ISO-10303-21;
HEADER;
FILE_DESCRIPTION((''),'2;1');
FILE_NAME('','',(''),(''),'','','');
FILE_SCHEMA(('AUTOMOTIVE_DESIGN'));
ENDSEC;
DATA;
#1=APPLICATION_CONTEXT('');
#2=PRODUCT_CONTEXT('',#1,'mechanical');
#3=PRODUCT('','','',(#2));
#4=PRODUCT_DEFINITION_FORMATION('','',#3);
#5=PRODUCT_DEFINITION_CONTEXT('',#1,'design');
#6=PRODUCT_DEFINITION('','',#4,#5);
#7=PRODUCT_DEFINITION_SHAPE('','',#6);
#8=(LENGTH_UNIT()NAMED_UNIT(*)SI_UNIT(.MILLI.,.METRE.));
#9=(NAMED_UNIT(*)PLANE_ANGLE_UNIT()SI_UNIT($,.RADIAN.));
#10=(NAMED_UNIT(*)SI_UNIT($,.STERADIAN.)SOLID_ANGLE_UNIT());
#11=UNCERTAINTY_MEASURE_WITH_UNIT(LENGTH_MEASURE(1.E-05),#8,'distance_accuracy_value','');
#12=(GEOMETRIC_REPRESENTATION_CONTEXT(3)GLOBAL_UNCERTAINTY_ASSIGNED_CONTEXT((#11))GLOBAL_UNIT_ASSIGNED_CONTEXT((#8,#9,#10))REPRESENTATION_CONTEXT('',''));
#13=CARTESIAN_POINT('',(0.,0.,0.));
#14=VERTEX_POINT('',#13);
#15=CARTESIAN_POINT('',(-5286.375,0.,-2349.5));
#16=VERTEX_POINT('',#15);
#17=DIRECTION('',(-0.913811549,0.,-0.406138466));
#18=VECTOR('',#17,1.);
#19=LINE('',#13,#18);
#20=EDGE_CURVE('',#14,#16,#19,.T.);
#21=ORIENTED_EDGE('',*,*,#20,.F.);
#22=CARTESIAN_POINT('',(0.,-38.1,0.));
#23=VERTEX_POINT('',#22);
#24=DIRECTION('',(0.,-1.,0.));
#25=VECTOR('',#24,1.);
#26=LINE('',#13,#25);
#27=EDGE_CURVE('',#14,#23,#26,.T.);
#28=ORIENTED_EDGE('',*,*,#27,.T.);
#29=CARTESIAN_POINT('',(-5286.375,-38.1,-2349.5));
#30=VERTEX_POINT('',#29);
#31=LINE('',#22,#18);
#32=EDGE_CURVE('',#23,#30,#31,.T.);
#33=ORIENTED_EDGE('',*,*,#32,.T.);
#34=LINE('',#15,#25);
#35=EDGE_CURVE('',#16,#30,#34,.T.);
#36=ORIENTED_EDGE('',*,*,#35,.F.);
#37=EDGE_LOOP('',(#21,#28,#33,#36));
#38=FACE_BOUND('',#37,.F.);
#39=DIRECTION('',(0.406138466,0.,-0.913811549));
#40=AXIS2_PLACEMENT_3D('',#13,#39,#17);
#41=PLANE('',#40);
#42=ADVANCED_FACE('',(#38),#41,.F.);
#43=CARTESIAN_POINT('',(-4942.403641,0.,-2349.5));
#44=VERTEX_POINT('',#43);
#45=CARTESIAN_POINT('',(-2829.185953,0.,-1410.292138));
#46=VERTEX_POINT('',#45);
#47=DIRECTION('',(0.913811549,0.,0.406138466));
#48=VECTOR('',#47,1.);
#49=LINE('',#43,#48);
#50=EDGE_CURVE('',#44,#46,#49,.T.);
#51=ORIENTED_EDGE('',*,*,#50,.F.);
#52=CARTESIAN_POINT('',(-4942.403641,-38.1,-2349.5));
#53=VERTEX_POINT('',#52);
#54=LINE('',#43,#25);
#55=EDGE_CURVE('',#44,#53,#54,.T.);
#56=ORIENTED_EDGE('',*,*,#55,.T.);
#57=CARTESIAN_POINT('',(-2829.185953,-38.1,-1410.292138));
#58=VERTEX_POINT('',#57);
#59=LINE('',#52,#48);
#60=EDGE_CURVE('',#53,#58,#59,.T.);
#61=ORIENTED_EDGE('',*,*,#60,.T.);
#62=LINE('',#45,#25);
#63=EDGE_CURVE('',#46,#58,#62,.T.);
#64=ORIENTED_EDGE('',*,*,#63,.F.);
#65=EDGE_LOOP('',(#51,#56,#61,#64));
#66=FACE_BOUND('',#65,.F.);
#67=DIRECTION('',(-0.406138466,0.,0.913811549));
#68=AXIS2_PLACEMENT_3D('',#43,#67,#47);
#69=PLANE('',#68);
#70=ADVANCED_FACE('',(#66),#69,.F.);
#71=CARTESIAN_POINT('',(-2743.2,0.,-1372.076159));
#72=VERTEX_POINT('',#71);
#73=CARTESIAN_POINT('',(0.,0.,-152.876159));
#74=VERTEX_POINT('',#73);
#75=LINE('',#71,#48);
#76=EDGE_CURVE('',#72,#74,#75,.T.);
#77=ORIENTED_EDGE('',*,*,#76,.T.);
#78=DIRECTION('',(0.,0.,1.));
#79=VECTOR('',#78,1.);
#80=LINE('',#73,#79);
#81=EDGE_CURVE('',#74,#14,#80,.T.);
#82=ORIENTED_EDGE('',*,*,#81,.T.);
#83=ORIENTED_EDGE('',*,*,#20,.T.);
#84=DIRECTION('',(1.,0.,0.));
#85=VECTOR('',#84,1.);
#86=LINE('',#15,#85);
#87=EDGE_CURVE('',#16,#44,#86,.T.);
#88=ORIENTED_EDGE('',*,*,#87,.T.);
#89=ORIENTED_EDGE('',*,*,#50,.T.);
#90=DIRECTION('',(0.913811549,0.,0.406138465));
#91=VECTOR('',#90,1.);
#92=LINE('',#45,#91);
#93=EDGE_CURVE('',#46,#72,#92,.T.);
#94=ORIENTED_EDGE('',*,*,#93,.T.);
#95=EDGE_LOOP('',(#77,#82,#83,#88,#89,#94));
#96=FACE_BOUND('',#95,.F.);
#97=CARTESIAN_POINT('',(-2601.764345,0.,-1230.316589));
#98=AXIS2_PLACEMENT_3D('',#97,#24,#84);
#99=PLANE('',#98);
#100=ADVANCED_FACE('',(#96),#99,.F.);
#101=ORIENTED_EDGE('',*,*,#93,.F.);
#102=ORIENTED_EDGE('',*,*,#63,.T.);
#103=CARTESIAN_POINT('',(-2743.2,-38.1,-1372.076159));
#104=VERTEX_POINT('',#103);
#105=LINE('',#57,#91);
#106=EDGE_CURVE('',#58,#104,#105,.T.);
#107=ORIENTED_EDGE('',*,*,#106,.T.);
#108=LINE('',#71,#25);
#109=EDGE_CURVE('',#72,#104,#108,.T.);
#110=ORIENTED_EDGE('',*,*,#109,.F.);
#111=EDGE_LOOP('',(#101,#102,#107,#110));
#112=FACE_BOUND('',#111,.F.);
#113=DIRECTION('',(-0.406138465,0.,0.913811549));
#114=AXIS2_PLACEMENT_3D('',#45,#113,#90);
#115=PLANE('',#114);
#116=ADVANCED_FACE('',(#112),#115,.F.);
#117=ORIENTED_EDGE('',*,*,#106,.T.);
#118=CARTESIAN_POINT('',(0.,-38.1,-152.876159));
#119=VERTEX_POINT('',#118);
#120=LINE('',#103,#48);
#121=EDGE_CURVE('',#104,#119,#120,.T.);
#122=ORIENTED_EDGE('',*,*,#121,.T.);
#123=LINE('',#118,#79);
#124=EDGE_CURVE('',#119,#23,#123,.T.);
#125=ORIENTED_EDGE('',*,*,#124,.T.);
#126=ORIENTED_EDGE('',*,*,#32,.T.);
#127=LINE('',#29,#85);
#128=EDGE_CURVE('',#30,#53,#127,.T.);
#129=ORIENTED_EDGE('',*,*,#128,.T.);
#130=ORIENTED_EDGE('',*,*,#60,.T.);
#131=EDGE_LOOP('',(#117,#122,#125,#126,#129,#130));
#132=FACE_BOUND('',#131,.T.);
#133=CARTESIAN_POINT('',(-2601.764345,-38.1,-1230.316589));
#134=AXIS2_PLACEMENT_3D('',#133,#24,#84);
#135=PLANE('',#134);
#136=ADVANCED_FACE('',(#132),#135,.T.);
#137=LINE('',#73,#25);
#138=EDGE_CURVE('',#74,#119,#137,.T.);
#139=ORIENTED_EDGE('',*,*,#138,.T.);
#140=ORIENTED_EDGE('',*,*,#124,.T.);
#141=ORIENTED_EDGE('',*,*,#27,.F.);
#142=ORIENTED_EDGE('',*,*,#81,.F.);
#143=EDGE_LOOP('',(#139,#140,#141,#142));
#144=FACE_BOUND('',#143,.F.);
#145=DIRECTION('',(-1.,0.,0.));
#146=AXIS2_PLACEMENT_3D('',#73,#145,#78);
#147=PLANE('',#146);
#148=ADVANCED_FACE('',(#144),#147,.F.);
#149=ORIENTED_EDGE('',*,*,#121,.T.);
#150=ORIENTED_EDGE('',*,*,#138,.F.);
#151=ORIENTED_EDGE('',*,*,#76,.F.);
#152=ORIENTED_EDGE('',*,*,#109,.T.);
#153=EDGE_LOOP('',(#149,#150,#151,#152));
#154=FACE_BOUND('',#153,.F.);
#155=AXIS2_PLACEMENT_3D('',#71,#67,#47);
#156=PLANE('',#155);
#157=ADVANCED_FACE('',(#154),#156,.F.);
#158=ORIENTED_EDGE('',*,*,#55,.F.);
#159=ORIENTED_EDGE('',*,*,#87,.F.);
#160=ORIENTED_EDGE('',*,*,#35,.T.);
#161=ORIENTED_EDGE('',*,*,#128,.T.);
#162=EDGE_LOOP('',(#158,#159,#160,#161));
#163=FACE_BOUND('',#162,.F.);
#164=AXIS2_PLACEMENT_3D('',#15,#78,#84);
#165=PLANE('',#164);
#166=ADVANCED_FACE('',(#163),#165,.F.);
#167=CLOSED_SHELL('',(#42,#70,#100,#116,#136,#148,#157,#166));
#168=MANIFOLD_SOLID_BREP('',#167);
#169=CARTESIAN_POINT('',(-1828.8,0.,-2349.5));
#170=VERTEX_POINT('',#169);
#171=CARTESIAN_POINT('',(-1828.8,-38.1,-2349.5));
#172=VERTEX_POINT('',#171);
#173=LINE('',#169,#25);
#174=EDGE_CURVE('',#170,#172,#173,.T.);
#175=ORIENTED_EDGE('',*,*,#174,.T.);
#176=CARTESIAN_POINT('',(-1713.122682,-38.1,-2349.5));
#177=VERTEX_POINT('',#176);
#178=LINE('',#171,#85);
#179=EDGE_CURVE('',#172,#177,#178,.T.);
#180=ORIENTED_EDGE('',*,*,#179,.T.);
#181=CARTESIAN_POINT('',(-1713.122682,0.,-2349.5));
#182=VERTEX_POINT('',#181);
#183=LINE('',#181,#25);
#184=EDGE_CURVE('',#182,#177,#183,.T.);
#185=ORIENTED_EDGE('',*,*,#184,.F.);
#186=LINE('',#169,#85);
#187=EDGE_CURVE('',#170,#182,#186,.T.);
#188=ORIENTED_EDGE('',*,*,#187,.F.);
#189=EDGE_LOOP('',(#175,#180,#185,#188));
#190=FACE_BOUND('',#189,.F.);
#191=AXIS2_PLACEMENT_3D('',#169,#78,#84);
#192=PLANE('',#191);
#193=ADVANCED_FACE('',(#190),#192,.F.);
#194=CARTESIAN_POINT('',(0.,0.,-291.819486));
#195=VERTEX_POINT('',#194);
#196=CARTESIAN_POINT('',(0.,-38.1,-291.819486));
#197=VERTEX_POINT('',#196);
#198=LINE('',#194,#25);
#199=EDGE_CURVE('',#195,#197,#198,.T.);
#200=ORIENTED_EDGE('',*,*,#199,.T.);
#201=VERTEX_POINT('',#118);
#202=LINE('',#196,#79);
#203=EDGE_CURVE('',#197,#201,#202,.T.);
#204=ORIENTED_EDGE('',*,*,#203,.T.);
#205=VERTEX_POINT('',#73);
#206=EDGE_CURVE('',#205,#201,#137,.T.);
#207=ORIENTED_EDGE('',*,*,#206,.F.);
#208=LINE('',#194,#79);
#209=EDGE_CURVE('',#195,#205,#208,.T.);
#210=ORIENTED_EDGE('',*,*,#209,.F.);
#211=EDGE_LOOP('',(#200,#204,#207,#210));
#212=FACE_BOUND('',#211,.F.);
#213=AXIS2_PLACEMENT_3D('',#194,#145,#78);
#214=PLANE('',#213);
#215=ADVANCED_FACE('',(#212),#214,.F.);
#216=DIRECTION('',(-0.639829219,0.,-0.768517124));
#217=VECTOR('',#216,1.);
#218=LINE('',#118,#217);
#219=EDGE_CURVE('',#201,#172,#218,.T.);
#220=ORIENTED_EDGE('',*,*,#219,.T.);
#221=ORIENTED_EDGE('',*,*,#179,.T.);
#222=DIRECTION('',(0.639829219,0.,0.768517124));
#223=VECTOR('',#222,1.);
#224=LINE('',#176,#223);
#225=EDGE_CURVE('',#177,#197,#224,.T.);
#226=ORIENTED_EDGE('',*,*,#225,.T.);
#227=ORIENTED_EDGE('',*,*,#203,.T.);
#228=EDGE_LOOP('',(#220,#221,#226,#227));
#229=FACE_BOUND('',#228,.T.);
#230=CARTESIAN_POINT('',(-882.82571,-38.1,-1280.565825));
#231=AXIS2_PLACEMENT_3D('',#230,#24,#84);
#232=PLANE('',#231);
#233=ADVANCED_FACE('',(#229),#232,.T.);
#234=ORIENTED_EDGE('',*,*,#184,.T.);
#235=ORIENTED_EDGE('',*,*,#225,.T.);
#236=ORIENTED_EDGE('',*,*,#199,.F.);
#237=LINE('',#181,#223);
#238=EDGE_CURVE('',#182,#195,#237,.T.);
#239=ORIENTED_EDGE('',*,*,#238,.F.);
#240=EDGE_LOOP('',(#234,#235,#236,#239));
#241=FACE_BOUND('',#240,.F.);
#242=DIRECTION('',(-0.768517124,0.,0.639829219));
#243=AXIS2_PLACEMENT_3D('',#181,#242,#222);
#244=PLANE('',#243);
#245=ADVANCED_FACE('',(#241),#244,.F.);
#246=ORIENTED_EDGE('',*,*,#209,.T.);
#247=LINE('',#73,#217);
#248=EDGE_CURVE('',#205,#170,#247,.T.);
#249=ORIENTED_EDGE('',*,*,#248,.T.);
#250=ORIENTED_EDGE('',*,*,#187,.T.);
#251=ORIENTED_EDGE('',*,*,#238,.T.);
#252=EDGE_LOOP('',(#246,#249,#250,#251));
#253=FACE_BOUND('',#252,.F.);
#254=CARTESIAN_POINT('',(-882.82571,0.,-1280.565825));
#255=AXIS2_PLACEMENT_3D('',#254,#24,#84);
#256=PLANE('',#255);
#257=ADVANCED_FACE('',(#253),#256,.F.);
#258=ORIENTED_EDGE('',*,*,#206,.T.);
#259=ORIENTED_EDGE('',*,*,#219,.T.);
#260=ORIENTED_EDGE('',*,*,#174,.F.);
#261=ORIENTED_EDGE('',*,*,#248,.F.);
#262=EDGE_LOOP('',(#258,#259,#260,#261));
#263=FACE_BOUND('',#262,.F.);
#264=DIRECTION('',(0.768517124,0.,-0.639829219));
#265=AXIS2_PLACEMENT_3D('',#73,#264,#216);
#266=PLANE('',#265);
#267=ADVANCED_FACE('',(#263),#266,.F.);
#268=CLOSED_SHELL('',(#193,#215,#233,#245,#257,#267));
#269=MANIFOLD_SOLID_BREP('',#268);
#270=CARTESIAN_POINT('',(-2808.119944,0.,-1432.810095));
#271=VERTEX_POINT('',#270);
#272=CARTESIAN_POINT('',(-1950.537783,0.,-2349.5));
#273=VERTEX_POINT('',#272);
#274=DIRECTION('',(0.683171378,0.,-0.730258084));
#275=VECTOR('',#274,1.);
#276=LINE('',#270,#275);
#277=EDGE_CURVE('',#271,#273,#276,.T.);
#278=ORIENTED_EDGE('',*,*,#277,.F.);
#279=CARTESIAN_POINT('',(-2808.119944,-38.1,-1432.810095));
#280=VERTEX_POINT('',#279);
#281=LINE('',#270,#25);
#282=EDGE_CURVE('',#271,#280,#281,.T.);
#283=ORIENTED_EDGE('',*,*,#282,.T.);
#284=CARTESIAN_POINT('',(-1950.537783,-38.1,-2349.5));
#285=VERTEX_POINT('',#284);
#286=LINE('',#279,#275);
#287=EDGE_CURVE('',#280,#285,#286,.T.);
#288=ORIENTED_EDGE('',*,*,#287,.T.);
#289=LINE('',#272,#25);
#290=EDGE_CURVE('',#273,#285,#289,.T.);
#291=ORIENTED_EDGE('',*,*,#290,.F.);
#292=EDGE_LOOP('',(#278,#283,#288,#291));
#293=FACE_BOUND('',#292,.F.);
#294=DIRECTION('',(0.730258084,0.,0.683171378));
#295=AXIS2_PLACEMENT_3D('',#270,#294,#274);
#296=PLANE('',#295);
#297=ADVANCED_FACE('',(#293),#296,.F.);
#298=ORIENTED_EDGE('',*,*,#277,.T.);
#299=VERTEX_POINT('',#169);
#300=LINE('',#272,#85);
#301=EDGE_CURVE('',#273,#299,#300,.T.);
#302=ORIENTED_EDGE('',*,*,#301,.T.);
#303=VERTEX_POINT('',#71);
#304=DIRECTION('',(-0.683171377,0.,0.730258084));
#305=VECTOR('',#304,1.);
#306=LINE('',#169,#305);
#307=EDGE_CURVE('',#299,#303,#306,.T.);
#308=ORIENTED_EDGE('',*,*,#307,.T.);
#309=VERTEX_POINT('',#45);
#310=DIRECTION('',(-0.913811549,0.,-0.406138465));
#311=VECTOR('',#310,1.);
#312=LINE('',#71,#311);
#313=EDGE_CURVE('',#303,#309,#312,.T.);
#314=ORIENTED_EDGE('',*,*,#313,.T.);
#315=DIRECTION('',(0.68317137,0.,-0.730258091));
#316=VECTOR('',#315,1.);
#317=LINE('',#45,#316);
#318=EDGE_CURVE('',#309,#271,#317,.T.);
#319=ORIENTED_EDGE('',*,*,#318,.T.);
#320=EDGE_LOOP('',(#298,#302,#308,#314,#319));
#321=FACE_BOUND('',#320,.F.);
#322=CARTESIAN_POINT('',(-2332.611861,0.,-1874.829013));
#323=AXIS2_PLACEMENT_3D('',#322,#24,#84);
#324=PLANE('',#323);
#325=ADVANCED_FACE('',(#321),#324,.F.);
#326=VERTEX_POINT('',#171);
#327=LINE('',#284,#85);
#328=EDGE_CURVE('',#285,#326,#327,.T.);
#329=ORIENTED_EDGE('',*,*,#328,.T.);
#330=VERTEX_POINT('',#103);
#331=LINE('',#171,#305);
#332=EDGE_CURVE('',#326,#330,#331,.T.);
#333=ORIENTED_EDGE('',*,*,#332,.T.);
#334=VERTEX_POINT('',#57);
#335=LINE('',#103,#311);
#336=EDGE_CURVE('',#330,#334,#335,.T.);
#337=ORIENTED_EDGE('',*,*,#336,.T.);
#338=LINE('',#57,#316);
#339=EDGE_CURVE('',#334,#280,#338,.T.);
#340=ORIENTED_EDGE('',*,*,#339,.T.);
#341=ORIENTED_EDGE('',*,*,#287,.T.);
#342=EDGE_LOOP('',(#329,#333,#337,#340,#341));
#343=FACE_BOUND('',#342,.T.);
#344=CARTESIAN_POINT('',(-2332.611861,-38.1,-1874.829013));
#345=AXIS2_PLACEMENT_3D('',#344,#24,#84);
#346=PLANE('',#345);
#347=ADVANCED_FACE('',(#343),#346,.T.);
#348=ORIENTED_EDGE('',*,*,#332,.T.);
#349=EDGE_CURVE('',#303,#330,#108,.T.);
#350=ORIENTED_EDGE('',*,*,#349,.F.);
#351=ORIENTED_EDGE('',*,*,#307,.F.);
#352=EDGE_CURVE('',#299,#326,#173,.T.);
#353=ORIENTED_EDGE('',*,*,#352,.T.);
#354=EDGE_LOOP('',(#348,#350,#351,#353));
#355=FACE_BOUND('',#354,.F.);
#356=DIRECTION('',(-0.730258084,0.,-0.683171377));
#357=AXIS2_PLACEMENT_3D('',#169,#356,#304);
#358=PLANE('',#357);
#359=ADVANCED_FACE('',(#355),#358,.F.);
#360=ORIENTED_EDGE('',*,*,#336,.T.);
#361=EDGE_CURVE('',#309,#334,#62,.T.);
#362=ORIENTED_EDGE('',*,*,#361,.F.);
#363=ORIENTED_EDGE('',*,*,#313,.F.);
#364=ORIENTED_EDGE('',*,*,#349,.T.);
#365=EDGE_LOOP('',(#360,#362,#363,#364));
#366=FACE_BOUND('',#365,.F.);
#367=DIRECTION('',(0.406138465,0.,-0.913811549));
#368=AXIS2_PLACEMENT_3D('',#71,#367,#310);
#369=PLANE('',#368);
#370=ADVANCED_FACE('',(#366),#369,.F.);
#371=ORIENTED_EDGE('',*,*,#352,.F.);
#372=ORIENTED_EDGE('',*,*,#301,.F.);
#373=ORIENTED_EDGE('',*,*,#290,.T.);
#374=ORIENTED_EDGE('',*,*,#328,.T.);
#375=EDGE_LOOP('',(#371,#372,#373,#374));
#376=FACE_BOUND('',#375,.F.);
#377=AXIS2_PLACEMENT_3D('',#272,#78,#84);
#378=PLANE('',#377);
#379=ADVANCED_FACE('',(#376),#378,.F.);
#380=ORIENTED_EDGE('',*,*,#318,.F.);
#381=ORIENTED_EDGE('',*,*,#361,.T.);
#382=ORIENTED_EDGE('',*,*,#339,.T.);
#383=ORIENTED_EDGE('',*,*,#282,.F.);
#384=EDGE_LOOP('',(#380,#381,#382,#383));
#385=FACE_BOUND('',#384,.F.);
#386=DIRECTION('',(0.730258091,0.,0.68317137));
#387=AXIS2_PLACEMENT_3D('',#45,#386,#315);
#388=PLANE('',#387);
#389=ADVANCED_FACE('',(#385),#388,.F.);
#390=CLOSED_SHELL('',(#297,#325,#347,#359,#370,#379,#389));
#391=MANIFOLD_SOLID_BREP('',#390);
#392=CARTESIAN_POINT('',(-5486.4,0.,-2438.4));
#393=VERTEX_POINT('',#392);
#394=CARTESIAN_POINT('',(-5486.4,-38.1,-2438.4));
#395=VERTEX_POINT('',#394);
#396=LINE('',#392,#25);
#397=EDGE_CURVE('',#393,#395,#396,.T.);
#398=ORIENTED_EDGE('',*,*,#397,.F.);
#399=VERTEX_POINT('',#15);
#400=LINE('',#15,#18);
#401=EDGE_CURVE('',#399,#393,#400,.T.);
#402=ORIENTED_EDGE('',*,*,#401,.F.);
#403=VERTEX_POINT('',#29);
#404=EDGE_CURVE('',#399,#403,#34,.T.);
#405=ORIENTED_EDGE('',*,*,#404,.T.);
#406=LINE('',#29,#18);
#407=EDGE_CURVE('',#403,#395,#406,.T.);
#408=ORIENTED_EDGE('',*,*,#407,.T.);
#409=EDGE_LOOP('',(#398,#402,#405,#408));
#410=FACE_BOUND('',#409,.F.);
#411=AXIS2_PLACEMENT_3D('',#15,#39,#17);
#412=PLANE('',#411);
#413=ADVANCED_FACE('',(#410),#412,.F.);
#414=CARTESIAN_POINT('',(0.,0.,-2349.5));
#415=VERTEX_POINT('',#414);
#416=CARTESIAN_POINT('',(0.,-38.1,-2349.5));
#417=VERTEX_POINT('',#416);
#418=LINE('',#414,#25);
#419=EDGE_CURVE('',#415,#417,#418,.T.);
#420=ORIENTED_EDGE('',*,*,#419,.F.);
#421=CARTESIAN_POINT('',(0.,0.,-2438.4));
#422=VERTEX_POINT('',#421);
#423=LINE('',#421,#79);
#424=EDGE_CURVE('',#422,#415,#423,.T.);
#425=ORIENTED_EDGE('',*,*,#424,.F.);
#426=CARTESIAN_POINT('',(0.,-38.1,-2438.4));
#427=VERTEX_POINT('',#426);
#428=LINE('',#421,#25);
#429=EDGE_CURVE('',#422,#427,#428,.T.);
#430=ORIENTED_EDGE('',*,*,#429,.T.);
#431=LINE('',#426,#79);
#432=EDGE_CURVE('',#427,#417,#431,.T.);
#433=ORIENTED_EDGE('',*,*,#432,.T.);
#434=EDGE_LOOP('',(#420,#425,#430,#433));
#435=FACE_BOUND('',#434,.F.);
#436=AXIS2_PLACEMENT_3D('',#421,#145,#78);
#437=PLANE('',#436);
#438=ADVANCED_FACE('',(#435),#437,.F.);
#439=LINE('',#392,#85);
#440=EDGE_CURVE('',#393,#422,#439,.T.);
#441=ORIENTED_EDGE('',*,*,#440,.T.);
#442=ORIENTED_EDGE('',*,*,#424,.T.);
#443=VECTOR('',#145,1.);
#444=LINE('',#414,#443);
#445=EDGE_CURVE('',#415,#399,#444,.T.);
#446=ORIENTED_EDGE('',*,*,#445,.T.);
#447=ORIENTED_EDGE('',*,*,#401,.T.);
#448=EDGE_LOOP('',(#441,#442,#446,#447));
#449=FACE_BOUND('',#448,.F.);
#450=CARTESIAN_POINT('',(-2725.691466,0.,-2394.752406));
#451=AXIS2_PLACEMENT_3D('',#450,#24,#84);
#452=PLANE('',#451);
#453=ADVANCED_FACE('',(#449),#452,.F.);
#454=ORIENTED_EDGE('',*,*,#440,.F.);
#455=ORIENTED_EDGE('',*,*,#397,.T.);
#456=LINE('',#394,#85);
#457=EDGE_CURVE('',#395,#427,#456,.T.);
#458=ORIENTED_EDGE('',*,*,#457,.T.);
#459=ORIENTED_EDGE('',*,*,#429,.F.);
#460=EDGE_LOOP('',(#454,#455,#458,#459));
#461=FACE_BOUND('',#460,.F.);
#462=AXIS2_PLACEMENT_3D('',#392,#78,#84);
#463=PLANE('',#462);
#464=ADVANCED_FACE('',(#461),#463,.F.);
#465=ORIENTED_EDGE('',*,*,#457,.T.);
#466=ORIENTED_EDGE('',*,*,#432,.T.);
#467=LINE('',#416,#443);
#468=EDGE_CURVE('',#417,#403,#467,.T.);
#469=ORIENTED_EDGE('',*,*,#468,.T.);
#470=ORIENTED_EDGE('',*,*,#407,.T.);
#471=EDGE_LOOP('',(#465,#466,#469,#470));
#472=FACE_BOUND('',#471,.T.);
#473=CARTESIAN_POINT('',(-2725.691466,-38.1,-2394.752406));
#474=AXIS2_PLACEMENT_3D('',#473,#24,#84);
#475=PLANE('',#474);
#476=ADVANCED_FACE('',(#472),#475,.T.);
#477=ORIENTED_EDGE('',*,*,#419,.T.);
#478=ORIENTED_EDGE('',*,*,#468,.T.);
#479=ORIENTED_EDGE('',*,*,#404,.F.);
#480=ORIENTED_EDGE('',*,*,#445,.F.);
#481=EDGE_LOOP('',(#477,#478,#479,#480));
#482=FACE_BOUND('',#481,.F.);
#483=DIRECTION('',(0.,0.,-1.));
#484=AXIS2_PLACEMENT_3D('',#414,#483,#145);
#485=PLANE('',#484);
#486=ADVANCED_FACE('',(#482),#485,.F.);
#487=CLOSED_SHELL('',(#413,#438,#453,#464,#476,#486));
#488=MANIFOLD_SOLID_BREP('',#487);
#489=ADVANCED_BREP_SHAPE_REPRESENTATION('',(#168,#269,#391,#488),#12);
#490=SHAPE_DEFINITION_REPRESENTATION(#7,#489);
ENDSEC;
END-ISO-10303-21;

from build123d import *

# Parameters (mm, degrees)
F1_DEPTH = 38.1
F2_DEPTH = 38.1
F3_DEPTH = 38.1
F4_DEPTH = 38.1


with BuildPart() as f1:
    # F0 (on Front) → F1 (new body)
    with BuildSketch(Plane.XZ):
        Polygon((0, 0), (-5286.375, -2349.5), (-4942.403641, -2349.5), (-2829.185953, -1410.292138), (-2743.2, -1372.076159), (0, -152.876159), align=None)
    extrude(amount=F1_DEPTH)


with BuildPart() as f2:
    # F0 (on Front) → F2 (new body, through all)
    with BuildSketch(Plane.XZ):
        Polygon((-1950.537783, -2349.5), (-1828.8, -2349.5), (-2743.2, -1372.076159), (-2829.185953, -1410.292138), (-2808.119944, -1432.810095), align=None)
    extrude(amount=F2_DEPTH)


with BuildPart() as f3:
    # F0 (on Front) → F3 (new body, through all)
    with BuildSketch(Plane.XZ):
        Polygon((-1828.8, -2349.5), (-1713.122682, -2349.5), (0, -291.819486), (0, -152.876159), align=None)
    extrude(amount=F3_DEPTH)


with BuildPart() as f4:
    # F0 (on Front) → F4 (new body, through all)
    with BuildSketch(Plane.XZ):
        Polygon((-5486.4, -2438.4), (0, -2438.4), (0, -2349.5), (-1713.122682, -2349.5), (-1828.8, -2349.5), (-1950.537783, -2349.5), (-4942.403641, -2349.5), (-5286.375, -2349.5), align=None)
    extrude(amount=F4_DEPTH)


solid = Compound([f1.part, f2.part, f3.part, f4.part])
